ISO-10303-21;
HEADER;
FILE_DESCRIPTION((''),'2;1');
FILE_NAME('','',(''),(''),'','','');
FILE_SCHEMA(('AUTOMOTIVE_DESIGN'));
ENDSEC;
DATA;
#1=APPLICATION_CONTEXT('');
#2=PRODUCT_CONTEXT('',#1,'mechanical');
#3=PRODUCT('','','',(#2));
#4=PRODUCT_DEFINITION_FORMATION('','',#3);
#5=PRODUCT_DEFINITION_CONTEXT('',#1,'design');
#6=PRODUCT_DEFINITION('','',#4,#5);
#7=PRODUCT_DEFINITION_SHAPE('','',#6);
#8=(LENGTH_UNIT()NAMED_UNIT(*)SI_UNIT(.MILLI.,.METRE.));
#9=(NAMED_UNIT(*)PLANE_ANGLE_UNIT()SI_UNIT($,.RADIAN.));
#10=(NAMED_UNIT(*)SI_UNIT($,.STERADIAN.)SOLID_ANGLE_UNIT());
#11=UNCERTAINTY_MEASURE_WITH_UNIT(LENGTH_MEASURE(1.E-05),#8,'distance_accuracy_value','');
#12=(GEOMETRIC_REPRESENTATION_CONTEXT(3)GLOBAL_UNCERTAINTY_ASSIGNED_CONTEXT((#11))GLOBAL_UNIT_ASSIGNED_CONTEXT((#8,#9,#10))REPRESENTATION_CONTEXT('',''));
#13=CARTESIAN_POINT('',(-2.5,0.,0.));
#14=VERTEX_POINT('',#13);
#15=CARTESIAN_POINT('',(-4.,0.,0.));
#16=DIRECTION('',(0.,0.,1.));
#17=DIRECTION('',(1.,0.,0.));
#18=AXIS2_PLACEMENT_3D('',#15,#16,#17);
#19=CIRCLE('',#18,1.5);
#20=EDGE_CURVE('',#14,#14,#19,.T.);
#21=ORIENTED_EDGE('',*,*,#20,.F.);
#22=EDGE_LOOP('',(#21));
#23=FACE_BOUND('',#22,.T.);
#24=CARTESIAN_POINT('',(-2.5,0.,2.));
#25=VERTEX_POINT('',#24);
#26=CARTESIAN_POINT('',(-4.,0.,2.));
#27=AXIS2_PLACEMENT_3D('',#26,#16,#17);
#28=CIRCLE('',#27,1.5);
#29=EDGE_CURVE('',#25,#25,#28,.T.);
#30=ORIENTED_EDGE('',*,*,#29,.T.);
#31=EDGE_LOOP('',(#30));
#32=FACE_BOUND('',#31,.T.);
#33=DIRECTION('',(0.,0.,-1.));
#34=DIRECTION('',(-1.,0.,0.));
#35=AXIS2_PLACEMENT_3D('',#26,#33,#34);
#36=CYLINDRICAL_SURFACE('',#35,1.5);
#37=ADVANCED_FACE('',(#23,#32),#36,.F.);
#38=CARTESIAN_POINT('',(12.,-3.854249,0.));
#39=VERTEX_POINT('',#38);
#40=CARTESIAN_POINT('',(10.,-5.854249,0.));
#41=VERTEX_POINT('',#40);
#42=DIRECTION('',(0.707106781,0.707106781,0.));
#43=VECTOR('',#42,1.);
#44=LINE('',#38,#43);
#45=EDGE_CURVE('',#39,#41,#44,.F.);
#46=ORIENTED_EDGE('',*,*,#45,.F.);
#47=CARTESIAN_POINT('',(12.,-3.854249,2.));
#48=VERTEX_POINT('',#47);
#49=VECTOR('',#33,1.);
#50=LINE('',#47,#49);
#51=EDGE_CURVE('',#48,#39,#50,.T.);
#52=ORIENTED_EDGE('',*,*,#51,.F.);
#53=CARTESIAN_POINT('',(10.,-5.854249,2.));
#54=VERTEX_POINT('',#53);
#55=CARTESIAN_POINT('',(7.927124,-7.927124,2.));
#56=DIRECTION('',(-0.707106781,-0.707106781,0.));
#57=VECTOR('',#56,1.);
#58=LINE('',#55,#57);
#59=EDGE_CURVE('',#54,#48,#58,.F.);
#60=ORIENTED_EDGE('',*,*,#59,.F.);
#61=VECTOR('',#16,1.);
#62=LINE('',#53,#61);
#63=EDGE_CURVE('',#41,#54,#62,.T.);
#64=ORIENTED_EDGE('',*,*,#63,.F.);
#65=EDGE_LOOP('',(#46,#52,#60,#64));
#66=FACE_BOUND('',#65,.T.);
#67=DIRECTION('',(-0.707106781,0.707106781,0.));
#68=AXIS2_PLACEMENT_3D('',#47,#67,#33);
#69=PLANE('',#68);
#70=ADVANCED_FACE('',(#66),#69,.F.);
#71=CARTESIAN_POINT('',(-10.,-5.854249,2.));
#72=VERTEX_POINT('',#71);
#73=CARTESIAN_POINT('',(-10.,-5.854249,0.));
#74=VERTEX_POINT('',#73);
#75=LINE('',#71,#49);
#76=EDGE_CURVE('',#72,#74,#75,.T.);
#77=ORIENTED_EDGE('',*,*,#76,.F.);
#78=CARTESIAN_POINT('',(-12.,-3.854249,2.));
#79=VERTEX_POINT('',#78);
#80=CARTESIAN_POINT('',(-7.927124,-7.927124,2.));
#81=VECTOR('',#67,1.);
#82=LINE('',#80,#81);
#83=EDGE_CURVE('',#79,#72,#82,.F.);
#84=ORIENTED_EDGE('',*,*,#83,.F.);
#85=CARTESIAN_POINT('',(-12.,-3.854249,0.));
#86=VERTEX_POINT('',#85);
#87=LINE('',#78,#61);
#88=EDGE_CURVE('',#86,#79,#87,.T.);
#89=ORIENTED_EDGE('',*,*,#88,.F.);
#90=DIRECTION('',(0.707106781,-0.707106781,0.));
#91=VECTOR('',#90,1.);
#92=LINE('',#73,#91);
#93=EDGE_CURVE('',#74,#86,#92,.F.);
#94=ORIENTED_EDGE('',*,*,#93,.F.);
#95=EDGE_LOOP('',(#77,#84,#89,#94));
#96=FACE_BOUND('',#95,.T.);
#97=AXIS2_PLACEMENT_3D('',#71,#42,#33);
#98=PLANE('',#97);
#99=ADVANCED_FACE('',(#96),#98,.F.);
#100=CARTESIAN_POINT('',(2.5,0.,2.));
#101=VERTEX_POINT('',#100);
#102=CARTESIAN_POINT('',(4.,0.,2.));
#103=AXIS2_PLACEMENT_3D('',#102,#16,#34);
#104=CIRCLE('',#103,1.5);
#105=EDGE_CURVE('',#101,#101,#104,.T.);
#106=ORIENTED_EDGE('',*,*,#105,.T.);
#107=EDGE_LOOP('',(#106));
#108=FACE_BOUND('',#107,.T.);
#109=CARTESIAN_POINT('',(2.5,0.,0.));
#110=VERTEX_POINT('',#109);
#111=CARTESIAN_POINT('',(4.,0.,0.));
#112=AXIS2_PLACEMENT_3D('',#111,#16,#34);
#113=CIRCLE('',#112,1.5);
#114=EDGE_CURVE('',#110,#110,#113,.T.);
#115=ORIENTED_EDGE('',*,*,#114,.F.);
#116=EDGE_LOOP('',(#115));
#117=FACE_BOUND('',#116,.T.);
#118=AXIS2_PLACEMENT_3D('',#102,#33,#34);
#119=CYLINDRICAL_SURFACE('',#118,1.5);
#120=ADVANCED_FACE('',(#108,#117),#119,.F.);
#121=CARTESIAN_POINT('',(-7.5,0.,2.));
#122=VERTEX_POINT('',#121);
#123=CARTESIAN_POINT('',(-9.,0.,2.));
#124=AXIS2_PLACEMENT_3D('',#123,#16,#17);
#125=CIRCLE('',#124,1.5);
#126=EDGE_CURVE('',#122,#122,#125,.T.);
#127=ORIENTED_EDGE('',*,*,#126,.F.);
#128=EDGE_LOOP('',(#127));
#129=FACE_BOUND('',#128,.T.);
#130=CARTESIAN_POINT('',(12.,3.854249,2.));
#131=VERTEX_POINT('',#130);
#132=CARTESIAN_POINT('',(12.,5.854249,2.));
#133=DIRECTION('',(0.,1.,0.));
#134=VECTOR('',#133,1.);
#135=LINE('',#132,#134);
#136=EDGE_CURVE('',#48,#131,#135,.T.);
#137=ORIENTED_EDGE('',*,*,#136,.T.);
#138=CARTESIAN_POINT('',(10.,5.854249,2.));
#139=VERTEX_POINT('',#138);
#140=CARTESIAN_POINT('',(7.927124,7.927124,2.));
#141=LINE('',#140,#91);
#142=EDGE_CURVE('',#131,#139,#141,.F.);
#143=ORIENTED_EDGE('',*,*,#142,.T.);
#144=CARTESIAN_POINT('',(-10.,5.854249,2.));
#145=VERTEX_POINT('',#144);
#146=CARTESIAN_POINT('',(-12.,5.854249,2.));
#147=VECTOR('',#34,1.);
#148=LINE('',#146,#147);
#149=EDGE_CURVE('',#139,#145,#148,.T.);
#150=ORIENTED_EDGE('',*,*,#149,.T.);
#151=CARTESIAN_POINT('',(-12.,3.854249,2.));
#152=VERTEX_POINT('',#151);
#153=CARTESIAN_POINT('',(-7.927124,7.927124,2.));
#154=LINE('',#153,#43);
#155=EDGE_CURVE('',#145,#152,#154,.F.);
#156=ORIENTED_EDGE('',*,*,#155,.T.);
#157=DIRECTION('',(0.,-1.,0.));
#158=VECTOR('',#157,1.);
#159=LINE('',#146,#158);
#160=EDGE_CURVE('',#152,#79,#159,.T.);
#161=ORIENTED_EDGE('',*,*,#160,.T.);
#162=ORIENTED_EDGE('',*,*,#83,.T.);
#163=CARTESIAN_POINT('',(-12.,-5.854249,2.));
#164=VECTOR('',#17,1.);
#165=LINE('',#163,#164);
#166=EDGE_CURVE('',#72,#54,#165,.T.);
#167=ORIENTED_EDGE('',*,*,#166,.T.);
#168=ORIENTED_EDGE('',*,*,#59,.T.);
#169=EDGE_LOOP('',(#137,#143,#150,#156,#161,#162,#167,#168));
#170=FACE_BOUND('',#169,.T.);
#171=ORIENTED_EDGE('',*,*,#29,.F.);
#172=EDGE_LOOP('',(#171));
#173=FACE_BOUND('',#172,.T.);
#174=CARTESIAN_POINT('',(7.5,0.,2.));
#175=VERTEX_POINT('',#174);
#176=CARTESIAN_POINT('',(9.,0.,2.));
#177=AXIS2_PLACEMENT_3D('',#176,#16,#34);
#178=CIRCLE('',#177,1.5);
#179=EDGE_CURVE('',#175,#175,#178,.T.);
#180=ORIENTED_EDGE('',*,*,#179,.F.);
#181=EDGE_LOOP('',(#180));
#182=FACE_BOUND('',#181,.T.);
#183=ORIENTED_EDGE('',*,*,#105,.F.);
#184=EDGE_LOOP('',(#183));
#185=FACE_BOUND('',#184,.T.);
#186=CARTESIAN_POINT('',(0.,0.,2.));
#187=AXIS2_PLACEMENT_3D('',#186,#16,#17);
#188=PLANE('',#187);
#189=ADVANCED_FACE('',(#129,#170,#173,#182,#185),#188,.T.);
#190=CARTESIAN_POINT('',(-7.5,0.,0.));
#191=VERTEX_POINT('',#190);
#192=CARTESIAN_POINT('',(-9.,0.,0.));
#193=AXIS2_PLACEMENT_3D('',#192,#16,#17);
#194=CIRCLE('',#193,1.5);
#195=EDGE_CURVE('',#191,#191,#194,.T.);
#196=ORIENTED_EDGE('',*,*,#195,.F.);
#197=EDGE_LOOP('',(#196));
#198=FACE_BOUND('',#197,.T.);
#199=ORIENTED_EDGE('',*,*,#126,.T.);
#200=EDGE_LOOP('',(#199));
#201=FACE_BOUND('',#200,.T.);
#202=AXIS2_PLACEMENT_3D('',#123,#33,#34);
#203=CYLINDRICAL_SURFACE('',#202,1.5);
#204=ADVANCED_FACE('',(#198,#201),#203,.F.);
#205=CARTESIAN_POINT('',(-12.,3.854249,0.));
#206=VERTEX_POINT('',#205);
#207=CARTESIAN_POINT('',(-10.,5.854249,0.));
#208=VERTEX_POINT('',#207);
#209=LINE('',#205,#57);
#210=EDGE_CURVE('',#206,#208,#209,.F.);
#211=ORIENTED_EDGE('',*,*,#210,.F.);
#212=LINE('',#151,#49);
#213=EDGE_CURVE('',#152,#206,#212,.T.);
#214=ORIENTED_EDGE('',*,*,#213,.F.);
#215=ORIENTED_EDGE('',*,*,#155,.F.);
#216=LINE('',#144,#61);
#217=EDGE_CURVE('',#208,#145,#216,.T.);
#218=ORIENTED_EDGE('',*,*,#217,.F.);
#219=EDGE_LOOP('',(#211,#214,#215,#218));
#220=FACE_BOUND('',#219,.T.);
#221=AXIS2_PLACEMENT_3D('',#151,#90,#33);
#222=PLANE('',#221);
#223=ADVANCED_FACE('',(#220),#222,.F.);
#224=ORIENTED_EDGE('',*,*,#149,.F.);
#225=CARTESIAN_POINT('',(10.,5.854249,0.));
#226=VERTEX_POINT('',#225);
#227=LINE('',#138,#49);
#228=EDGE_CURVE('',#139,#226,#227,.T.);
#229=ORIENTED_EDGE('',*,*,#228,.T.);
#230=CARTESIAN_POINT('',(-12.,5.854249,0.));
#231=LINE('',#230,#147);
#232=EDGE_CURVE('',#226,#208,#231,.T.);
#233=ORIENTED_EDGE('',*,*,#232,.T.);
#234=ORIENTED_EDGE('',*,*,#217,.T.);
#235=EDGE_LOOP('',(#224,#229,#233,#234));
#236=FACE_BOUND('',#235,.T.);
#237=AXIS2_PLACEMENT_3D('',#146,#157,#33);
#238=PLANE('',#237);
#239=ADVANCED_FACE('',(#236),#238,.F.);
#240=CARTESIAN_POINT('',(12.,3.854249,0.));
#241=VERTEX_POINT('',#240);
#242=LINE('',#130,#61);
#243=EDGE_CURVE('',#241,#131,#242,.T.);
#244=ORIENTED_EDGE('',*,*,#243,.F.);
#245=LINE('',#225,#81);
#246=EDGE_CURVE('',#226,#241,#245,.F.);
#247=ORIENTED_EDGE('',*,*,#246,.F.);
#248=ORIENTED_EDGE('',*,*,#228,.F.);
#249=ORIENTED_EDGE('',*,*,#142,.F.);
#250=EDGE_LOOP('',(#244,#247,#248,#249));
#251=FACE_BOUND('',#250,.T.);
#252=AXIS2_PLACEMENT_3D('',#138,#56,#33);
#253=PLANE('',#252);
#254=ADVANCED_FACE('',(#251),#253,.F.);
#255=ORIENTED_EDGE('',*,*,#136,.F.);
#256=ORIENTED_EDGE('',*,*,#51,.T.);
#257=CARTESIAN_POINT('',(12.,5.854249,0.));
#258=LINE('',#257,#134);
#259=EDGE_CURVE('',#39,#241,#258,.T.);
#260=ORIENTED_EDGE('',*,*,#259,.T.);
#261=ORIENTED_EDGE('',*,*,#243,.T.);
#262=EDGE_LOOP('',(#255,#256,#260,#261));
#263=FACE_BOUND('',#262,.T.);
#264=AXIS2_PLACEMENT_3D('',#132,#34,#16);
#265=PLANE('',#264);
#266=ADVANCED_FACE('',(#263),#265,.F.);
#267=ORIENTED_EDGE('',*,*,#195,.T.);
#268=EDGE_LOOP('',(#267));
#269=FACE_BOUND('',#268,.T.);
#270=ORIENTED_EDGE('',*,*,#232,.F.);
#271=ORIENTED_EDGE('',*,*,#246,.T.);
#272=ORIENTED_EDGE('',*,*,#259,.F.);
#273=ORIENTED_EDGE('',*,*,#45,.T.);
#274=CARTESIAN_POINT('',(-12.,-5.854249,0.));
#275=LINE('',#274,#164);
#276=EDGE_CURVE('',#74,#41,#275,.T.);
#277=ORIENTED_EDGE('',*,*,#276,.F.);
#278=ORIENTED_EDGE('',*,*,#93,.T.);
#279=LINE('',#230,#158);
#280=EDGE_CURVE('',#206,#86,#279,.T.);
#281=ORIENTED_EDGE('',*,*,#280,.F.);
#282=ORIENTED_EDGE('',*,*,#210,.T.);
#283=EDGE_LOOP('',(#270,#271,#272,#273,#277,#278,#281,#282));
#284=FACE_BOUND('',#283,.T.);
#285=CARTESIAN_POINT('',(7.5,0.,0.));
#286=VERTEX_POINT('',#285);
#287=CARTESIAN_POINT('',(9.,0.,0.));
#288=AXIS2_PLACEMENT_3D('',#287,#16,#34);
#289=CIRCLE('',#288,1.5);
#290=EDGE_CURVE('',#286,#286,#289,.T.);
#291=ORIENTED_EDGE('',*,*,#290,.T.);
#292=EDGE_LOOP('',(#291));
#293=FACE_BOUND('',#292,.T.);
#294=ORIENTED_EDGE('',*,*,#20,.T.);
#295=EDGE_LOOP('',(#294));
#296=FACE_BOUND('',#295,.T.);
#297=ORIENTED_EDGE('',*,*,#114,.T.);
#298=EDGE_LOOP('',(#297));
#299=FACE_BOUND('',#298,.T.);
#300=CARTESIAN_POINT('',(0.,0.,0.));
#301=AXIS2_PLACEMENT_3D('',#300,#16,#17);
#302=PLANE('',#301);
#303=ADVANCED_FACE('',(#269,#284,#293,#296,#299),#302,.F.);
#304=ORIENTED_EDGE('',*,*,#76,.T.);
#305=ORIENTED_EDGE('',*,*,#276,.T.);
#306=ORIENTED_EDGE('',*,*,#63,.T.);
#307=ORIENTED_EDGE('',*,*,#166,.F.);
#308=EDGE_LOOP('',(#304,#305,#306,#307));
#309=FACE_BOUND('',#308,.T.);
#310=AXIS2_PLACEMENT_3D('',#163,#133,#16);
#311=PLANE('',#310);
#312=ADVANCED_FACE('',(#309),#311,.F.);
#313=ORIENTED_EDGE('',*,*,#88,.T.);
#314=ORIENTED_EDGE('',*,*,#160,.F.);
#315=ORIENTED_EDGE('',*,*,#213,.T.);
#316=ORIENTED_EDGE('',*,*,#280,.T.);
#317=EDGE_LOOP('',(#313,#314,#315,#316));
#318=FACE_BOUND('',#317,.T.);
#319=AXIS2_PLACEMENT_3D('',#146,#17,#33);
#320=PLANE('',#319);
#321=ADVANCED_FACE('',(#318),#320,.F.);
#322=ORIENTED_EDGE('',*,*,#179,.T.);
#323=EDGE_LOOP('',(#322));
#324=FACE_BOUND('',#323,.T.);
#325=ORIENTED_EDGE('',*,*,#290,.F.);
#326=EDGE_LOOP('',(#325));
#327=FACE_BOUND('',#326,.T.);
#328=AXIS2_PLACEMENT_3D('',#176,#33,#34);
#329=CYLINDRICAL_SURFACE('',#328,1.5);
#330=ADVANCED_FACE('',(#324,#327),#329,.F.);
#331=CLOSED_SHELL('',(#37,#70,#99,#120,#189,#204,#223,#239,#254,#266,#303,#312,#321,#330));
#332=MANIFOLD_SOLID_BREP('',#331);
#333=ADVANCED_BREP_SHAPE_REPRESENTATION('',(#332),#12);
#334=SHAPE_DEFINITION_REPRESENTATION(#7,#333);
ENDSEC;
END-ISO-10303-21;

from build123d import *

# Parameters (mm, degrees)
SKETCH1_W           = 24
SKETCH1_H           = 11.708497378
SKETCH1_R           = 1.5
BOSS_EXTRUDE1_DEPTH = 2
CHAMFER1_SIZE       = 2


with BuildPart() as part:
    # Sketch1 → Boss-Extrude1 (new body)
    with BuildSketch(Plane.XY):
        Rectangle(SKETCH1_W, SKETCH1_H)
        with Locations((-9, 0)):
            Circle(SKETCH1_R, mode=Mode.SUBTRACT)
        with Locations((-4, 0)):
            Circle(SKETCH1_R, mode=Mode.SUBTRACT)
        with Locations(Location((4, 0, 0), (0, 0, 180))):
            Circle(SKETCH1_R, mode=Mode.SUBTRACT)
        with Locations(Location((9, 0, 0), (0, 0, 180))):
            Circle(SKETCH1_R, mode=Mode.SUBTRACT)
    extrude(amount=BOSS_EXTRUDE1_DEPTH)

    # Chamfer1
    chamfer1_edges = [part.edges().sort_by_distance(p)[0] for p in [
        (12, -5.854248689, 1),
        (-12, -5.854248689, 1),
        (-12, 5.854248689, 1),
        (12, 5.854248689, 1),
    ]]
    chamfer(chamfer1_edges, length=CHAMFER1_SIZE)


solid = part.part
